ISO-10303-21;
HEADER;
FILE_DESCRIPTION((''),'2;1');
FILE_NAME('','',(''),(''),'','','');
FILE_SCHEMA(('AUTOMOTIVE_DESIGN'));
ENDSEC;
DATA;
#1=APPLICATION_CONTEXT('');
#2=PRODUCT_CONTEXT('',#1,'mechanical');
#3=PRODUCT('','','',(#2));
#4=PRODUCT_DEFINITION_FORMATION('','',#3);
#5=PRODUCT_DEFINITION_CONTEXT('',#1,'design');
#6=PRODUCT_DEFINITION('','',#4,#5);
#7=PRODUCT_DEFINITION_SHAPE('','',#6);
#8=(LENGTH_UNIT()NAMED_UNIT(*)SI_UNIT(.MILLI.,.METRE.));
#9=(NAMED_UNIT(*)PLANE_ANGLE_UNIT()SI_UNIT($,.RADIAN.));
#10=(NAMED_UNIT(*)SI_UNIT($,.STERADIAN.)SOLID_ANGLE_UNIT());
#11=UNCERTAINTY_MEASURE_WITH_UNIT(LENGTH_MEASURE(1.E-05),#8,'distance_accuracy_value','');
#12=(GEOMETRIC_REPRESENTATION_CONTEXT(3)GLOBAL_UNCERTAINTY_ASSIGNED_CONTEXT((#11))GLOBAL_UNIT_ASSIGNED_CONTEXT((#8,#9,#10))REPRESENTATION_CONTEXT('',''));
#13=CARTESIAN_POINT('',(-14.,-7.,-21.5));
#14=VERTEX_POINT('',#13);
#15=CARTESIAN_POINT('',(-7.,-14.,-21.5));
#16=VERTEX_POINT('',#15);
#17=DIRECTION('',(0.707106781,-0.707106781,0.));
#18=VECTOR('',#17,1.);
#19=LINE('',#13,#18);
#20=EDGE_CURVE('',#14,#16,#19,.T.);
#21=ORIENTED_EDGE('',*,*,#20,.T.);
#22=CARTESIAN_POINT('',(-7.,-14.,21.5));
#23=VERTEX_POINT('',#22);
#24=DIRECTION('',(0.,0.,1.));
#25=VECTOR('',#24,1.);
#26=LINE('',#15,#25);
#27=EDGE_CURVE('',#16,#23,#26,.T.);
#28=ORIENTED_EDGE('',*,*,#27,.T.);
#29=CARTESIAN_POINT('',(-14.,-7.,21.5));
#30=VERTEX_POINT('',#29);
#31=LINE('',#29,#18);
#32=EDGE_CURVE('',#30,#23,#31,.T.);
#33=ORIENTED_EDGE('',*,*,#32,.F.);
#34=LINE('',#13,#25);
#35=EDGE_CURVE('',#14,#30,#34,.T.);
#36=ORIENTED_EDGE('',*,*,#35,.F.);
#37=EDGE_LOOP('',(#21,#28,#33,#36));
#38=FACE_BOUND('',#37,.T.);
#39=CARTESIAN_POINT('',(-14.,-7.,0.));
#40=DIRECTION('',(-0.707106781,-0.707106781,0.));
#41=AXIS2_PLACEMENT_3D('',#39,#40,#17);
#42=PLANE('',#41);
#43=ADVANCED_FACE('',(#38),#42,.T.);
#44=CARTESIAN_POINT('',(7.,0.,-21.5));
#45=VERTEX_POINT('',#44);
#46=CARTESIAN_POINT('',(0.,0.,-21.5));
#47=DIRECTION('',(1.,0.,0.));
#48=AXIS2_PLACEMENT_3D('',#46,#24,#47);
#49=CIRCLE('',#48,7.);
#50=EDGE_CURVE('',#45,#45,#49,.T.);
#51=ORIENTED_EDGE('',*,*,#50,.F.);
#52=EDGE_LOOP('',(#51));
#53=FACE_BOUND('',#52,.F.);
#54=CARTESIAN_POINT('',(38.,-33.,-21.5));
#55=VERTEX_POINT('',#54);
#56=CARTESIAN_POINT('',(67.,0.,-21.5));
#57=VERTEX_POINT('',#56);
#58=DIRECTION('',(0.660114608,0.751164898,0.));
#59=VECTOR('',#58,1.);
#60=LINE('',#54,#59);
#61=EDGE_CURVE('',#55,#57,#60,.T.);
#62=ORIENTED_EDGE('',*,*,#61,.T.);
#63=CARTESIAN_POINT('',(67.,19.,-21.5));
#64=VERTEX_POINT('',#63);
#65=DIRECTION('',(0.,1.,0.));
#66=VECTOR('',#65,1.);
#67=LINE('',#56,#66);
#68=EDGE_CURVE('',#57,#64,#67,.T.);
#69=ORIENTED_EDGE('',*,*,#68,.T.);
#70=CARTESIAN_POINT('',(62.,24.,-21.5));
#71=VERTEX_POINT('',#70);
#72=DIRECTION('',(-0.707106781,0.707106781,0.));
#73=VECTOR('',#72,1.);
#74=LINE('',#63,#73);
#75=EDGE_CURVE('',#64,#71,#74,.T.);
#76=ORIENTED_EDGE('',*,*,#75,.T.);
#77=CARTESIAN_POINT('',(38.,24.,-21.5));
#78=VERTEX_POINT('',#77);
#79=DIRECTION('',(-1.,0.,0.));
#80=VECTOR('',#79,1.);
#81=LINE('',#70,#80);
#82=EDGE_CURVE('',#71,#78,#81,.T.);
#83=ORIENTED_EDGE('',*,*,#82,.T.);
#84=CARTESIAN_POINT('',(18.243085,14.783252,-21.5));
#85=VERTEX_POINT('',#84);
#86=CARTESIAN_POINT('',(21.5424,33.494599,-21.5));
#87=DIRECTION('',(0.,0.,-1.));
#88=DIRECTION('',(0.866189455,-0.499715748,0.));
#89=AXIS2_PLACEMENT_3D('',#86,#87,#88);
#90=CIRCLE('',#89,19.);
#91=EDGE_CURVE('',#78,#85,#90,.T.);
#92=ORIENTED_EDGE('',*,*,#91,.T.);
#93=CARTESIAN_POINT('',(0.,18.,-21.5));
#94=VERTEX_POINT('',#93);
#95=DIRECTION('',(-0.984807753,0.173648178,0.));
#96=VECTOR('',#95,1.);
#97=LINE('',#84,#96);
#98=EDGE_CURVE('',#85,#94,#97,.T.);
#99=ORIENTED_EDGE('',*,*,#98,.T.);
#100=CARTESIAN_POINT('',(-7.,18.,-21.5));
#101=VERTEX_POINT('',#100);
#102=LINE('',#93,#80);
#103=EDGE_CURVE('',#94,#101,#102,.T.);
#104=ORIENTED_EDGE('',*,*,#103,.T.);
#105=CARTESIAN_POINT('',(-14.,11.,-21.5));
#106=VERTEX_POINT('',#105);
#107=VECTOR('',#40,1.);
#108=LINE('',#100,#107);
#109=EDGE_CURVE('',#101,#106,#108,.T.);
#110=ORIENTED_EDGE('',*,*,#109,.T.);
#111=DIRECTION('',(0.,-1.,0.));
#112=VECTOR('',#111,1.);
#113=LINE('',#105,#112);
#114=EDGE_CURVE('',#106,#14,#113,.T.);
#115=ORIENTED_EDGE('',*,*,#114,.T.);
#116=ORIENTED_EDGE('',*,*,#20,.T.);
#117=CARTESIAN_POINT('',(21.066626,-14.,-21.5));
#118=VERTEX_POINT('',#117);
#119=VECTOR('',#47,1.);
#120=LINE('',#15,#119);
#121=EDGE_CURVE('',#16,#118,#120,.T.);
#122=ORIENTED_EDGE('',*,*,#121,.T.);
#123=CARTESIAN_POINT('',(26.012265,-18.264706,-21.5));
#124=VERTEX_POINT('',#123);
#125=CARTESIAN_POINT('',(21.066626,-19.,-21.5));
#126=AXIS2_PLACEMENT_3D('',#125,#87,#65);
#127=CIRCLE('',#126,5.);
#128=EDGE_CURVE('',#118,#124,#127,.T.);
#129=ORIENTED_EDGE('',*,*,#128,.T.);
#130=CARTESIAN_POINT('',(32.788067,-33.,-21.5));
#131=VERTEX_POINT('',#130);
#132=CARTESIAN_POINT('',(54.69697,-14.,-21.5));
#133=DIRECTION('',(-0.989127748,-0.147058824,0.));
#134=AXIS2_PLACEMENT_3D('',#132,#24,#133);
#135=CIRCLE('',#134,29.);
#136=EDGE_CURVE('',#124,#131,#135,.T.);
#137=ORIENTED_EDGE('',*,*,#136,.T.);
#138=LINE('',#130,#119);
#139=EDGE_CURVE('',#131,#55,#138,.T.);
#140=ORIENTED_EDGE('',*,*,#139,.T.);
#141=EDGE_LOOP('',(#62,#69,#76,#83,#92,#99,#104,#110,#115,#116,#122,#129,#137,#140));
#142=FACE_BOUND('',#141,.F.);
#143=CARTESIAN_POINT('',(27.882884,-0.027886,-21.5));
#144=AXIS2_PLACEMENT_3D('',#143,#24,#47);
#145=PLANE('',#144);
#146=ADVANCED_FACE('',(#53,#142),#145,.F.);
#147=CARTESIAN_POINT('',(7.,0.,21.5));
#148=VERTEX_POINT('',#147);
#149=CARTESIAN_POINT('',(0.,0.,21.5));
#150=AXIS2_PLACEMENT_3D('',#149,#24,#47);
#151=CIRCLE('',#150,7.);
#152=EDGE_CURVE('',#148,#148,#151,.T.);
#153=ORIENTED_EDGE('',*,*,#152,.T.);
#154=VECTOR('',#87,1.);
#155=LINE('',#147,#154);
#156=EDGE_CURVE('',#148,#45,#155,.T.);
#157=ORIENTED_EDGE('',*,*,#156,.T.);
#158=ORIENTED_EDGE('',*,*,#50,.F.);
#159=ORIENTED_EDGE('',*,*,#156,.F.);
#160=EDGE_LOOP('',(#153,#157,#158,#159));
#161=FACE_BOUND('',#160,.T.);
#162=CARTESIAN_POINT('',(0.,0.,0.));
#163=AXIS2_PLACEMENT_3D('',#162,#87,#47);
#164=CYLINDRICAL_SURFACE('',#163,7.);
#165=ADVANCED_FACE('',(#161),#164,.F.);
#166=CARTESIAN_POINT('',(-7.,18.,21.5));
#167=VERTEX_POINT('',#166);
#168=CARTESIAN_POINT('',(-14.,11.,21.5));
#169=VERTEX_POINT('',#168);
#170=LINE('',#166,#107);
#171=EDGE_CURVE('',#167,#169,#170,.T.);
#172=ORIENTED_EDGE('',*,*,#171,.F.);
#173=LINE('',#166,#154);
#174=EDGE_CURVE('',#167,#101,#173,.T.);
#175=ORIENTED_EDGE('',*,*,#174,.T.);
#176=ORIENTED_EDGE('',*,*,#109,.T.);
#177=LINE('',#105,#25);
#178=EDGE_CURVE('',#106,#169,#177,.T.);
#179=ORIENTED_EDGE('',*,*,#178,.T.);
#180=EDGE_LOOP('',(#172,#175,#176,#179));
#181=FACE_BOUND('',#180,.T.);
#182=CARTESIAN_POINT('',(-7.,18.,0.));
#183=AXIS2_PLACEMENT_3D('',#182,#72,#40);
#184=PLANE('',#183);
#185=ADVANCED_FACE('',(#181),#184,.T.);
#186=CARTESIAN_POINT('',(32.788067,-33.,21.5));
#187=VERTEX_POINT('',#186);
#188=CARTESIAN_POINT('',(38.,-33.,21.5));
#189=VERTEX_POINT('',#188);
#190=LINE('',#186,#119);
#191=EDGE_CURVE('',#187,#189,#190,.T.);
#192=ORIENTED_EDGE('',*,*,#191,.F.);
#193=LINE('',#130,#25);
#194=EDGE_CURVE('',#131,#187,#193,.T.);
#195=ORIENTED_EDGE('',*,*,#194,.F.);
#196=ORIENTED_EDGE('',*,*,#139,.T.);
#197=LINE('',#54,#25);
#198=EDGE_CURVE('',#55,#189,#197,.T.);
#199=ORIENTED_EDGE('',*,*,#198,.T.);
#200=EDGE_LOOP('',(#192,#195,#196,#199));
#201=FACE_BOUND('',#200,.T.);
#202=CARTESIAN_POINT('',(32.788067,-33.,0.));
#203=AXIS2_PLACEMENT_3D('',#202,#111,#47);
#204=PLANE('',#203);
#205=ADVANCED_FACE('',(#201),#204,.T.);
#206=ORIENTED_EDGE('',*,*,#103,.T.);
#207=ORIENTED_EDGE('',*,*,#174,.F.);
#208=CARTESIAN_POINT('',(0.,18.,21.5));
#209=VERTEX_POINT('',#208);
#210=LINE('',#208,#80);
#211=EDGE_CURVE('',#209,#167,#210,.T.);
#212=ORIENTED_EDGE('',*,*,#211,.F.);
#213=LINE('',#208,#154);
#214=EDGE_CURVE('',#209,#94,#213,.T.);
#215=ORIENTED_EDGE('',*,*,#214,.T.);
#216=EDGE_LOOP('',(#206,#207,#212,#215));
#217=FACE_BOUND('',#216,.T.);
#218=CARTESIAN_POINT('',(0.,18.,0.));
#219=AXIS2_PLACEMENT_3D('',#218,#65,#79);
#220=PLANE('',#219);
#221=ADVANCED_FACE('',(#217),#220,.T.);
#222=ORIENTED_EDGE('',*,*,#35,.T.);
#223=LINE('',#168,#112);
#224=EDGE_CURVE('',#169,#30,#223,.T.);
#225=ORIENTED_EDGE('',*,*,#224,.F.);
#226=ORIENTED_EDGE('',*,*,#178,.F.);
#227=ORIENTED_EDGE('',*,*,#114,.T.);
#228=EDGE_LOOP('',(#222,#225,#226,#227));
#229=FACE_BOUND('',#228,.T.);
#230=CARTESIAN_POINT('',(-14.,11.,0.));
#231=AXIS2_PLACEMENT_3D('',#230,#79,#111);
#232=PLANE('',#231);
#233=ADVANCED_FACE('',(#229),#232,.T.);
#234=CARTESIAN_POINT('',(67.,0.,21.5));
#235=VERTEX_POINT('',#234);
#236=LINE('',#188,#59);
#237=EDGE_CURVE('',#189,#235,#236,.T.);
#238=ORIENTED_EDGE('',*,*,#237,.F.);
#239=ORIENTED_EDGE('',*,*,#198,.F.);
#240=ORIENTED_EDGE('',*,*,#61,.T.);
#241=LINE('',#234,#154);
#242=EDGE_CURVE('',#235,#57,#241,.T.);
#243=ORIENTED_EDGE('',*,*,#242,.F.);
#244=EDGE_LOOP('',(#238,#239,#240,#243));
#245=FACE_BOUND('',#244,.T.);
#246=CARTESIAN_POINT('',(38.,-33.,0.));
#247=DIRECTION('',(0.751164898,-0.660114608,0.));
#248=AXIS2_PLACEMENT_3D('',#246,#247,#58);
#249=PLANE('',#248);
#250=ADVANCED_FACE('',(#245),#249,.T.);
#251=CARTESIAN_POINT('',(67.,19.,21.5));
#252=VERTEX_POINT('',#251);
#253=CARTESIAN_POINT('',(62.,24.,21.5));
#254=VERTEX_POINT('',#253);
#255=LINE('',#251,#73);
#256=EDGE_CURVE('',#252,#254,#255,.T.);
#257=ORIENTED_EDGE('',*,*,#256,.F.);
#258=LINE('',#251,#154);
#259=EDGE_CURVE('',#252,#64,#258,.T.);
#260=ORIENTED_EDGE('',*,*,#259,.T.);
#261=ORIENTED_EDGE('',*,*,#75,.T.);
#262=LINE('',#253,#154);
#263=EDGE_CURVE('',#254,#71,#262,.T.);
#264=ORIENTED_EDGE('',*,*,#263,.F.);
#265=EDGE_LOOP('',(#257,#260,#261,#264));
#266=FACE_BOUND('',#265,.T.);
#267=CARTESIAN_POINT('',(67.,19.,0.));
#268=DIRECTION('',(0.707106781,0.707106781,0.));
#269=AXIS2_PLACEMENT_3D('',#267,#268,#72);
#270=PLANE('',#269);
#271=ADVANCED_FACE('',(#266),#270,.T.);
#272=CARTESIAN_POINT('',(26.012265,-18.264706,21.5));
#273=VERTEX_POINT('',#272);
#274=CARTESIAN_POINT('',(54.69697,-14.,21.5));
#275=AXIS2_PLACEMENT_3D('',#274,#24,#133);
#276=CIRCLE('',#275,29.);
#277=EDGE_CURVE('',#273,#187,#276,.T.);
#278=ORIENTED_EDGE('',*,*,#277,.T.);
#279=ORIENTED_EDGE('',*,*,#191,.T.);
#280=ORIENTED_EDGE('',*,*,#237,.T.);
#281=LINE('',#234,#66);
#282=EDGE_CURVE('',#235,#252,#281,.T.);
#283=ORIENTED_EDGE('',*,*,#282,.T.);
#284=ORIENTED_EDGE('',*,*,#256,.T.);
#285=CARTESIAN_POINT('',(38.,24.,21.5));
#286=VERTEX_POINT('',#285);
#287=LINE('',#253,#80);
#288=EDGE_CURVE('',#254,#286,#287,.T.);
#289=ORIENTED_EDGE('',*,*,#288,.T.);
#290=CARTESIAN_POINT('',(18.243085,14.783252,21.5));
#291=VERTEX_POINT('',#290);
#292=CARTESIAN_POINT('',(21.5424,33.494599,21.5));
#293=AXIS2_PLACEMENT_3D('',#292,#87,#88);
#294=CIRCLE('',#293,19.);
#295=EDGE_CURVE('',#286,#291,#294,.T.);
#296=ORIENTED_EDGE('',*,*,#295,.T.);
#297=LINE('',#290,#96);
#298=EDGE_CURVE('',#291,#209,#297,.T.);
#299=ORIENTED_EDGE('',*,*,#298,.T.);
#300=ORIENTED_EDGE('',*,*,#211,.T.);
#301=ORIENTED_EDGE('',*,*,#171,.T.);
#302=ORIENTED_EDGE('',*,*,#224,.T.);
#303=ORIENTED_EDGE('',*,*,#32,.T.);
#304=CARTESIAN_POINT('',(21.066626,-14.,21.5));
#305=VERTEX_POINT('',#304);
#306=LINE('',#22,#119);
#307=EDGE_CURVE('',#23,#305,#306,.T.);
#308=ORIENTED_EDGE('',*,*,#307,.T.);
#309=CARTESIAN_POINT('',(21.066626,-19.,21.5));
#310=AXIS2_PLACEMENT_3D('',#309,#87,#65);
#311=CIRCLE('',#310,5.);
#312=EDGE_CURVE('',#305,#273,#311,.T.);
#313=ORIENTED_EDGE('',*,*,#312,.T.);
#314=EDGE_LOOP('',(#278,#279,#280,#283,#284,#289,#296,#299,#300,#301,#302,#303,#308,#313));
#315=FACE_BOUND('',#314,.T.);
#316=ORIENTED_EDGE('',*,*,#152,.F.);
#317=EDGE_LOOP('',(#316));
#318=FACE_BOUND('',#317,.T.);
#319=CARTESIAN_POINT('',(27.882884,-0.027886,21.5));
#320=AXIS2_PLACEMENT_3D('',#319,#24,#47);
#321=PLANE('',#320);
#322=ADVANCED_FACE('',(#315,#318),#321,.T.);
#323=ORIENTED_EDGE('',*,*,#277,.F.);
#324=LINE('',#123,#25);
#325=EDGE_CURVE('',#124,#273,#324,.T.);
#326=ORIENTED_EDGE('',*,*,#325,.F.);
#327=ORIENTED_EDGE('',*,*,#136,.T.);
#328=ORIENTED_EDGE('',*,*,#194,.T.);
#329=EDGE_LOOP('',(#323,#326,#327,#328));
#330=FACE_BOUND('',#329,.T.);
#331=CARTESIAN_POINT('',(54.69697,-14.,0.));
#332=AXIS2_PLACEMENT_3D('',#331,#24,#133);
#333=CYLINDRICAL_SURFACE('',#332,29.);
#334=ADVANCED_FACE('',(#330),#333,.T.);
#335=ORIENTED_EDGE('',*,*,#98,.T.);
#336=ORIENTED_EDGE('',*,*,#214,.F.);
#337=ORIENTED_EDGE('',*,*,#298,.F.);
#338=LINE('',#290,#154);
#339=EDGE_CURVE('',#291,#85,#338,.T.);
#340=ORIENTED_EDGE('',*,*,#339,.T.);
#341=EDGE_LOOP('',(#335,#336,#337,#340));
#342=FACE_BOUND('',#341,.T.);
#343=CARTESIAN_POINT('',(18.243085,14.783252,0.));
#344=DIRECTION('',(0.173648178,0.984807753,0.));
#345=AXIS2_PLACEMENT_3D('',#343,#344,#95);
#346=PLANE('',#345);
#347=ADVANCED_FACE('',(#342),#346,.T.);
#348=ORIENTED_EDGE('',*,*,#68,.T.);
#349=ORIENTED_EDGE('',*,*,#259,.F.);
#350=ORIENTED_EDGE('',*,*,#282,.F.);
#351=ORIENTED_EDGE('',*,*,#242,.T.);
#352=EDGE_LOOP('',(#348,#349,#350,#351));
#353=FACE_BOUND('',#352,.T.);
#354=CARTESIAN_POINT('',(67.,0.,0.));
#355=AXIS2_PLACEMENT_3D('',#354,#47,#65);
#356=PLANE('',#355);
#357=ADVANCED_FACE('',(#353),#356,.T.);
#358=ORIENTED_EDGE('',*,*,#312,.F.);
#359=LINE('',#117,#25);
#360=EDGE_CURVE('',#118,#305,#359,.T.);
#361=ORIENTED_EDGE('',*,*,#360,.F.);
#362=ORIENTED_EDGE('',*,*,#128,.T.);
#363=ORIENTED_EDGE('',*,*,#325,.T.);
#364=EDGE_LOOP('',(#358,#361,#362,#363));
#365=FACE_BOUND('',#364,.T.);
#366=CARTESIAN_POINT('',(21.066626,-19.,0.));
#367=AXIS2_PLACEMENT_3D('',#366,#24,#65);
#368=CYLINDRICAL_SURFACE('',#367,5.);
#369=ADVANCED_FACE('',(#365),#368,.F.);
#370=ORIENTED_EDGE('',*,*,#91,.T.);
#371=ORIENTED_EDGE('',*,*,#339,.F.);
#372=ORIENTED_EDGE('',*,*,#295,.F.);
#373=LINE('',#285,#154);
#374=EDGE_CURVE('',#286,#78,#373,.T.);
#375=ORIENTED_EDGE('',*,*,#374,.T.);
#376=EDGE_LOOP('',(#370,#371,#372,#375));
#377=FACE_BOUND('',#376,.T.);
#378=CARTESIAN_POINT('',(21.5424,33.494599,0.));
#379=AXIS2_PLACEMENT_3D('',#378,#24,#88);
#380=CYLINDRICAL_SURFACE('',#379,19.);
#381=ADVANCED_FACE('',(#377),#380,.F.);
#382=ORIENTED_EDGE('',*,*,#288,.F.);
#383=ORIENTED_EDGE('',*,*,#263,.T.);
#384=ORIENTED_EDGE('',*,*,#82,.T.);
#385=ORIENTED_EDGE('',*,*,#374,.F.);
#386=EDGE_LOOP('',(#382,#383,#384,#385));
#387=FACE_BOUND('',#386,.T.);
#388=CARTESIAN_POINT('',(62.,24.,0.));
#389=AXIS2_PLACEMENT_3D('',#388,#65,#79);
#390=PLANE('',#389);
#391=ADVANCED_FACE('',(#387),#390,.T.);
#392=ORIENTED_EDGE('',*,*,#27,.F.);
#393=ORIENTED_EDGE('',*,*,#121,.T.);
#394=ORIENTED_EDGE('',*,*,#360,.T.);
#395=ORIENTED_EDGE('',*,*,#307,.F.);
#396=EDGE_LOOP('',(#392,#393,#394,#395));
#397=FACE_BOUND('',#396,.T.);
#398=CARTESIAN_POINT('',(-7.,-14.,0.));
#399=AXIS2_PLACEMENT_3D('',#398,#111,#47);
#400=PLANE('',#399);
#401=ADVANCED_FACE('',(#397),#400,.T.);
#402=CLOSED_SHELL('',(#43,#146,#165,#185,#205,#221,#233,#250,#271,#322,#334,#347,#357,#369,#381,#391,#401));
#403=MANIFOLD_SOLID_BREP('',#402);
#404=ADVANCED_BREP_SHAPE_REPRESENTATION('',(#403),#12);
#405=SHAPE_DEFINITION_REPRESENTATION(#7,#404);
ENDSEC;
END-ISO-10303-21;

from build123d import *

# Parameters (mm, degrees)
F0_R     = 7
F1_DEPTH = 21.5


with BuildPart() as f1:
    # F0 (on Top) → F1 (new body, symmetric)
    with BuildSketch(Plane.XY):
        with BuildLine():
            Line((-7, 18), (-14, 11))
            Line((-14, 11), (-14, -7))
            Line((-14, -7), (-7, -14))
            Line((-7, -14), (21.0666262554, -14))
            ThreePointArc((21.0666262554, -14), (24.3318620364, -15.2134137678), (26.0122649968, -18.2647058824))
            ThreePointArc((26.0122649968, -18.2647058824), (28.3490951999, -26.115672061), (32.7880673968, -33))
            Line((32.7880673968, -33), (38, -33))
            Line((38, -33), (67, 0))
            Line((67, 0), (67, 19))
            Line((67, 19), (62, 24))
            Line((62, 24), (38, 24))
            ThreePointArc((38, 24), (29.5749729609, 16.2760691513), (18.2430849879, 14.7832519053))
            Line((18.2430849879, 14.7832519053), (0, 18))
            Line((0, 18), (-7, 18))
        make_face()
        Circle(F0_R, mode=Mode.SUBTRACT)
    extrude(amount=F1_DEPTH, both=True)


solid = f1.part
